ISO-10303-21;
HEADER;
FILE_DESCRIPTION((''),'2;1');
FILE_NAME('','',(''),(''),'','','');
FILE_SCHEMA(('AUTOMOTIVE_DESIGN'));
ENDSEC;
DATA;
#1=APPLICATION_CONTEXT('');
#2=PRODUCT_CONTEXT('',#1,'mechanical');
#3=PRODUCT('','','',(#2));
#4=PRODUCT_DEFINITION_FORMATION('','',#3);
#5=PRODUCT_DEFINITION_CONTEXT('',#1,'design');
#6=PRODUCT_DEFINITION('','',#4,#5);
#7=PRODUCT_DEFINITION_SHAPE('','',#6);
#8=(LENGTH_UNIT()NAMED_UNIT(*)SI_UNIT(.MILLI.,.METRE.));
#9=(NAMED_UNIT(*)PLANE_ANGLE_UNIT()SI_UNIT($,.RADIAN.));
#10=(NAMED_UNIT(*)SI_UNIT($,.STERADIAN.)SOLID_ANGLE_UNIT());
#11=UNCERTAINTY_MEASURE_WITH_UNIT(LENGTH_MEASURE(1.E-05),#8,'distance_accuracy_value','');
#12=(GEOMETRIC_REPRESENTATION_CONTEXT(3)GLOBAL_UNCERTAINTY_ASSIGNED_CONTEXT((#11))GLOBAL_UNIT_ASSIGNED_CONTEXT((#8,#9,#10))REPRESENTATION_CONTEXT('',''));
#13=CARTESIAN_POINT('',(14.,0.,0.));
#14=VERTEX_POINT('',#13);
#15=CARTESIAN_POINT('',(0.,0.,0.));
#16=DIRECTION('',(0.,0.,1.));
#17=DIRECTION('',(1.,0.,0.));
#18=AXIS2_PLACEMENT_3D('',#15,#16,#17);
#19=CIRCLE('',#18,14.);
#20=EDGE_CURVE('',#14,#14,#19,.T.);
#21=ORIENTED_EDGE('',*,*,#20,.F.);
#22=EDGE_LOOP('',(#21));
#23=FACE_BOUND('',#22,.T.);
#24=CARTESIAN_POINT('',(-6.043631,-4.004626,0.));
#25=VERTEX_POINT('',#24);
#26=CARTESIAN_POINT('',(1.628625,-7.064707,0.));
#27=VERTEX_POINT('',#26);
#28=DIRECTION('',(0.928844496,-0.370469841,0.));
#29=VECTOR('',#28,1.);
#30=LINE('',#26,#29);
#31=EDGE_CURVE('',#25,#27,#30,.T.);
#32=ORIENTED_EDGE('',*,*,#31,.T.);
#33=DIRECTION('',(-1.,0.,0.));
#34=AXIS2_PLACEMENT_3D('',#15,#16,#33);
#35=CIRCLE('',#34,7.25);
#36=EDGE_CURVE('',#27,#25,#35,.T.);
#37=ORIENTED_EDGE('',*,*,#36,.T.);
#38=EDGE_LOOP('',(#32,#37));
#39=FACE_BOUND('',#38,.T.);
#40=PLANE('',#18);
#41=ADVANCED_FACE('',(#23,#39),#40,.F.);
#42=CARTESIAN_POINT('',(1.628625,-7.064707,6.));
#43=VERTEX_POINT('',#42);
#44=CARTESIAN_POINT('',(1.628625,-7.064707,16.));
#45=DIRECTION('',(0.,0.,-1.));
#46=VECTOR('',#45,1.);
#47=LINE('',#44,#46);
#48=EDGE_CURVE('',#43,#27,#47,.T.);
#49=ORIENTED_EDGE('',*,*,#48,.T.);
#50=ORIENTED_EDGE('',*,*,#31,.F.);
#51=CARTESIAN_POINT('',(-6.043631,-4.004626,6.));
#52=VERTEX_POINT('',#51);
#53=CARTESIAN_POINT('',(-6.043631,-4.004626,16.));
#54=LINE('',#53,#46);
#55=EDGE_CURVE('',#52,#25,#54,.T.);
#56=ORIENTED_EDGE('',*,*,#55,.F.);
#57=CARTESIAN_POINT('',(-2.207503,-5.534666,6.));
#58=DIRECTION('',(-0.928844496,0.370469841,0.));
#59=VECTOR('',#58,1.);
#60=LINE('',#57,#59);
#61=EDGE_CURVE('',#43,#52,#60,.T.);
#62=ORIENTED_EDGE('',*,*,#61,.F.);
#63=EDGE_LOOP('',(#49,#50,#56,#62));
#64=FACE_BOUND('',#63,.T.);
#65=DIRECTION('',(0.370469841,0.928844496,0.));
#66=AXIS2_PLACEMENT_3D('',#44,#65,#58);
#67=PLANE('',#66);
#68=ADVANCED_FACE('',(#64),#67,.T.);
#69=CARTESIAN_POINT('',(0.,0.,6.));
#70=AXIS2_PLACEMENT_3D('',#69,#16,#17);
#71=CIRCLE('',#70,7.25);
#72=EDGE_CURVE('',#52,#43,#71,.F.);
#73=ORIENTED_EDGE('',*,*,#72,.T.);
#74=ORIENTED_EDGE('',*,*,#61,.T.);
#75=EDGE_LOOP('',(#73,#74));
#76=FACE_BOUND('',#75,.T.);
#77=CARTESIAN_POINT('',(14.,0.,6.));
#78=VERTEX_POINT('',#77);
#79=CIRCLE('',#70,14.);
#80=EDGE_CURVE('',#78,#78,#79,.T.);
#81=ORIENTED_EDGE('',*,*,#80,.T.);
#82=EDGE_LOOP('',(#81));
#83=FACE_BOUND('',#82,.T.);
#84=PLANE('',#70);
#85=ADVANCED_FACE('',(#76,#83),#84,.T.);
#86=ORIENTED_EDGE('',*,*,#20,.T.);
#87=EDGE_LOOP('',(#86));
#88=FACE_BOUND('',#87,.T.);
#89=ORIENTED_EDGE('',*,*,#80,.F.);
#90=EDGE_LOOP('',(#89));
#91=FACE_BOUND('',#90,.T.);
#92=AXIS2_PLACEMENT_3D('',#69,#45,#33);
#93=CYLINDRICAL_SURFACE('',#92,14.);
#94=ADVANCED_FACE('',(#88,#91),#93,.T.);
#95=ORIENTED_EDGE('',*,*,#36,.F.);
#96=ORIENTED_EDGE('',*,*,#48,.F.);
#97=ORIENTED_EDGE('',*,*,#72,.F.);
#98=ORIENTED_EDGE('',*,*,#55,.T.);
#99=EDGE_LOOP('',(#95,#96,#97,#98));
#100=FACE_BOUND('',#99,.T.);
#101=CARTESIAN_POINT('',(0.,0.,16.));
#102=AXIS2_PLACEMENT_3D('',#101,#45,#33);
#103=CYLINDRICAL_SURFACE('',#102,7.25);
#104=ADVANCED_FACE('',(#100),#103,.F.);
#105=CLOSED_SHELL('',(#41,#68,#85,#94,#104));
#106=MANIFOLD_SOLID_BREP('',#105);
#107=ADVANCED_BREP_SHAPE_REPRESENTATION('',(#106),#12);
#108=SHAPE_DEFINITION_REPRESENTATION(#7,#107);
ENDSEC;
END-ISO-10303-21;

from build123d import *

# Parameters (mm, degrees)
ESQUISSE1_R             = 14
BOSS_EXTRU_1_DEPTH      = 6
ENL_V_MAT_EXTRU_1_DEPTH = 16


with BuildPart() as part:
    # Esquisse1 → Boss.-Extru.1 (new body)
    with BuildSketch(Plane.XY):
        Circle(ESQUISSE1_R)
    extrude(amount=BOSS_EXTRU_1_DEPTH)

    # Esquisse2 → Enlèv. mat.-Extru.1 (cut)
    with BuildSketch(Plane.XY):
        with BuildLine():
            Line((1.628624847, -7.064706725), (-6.043630687, -4.00462584))
            ThreePointArc((-6.043630687, -4.00462584), (2.685906345, 6.734122594), (1.628624847, -7.064706725))
        make_face()
    extrude(amount=ENL_V_MAT_EXTRU_1_DEPTH, mode=Mode.SUBTRACT)


solid = part.part
